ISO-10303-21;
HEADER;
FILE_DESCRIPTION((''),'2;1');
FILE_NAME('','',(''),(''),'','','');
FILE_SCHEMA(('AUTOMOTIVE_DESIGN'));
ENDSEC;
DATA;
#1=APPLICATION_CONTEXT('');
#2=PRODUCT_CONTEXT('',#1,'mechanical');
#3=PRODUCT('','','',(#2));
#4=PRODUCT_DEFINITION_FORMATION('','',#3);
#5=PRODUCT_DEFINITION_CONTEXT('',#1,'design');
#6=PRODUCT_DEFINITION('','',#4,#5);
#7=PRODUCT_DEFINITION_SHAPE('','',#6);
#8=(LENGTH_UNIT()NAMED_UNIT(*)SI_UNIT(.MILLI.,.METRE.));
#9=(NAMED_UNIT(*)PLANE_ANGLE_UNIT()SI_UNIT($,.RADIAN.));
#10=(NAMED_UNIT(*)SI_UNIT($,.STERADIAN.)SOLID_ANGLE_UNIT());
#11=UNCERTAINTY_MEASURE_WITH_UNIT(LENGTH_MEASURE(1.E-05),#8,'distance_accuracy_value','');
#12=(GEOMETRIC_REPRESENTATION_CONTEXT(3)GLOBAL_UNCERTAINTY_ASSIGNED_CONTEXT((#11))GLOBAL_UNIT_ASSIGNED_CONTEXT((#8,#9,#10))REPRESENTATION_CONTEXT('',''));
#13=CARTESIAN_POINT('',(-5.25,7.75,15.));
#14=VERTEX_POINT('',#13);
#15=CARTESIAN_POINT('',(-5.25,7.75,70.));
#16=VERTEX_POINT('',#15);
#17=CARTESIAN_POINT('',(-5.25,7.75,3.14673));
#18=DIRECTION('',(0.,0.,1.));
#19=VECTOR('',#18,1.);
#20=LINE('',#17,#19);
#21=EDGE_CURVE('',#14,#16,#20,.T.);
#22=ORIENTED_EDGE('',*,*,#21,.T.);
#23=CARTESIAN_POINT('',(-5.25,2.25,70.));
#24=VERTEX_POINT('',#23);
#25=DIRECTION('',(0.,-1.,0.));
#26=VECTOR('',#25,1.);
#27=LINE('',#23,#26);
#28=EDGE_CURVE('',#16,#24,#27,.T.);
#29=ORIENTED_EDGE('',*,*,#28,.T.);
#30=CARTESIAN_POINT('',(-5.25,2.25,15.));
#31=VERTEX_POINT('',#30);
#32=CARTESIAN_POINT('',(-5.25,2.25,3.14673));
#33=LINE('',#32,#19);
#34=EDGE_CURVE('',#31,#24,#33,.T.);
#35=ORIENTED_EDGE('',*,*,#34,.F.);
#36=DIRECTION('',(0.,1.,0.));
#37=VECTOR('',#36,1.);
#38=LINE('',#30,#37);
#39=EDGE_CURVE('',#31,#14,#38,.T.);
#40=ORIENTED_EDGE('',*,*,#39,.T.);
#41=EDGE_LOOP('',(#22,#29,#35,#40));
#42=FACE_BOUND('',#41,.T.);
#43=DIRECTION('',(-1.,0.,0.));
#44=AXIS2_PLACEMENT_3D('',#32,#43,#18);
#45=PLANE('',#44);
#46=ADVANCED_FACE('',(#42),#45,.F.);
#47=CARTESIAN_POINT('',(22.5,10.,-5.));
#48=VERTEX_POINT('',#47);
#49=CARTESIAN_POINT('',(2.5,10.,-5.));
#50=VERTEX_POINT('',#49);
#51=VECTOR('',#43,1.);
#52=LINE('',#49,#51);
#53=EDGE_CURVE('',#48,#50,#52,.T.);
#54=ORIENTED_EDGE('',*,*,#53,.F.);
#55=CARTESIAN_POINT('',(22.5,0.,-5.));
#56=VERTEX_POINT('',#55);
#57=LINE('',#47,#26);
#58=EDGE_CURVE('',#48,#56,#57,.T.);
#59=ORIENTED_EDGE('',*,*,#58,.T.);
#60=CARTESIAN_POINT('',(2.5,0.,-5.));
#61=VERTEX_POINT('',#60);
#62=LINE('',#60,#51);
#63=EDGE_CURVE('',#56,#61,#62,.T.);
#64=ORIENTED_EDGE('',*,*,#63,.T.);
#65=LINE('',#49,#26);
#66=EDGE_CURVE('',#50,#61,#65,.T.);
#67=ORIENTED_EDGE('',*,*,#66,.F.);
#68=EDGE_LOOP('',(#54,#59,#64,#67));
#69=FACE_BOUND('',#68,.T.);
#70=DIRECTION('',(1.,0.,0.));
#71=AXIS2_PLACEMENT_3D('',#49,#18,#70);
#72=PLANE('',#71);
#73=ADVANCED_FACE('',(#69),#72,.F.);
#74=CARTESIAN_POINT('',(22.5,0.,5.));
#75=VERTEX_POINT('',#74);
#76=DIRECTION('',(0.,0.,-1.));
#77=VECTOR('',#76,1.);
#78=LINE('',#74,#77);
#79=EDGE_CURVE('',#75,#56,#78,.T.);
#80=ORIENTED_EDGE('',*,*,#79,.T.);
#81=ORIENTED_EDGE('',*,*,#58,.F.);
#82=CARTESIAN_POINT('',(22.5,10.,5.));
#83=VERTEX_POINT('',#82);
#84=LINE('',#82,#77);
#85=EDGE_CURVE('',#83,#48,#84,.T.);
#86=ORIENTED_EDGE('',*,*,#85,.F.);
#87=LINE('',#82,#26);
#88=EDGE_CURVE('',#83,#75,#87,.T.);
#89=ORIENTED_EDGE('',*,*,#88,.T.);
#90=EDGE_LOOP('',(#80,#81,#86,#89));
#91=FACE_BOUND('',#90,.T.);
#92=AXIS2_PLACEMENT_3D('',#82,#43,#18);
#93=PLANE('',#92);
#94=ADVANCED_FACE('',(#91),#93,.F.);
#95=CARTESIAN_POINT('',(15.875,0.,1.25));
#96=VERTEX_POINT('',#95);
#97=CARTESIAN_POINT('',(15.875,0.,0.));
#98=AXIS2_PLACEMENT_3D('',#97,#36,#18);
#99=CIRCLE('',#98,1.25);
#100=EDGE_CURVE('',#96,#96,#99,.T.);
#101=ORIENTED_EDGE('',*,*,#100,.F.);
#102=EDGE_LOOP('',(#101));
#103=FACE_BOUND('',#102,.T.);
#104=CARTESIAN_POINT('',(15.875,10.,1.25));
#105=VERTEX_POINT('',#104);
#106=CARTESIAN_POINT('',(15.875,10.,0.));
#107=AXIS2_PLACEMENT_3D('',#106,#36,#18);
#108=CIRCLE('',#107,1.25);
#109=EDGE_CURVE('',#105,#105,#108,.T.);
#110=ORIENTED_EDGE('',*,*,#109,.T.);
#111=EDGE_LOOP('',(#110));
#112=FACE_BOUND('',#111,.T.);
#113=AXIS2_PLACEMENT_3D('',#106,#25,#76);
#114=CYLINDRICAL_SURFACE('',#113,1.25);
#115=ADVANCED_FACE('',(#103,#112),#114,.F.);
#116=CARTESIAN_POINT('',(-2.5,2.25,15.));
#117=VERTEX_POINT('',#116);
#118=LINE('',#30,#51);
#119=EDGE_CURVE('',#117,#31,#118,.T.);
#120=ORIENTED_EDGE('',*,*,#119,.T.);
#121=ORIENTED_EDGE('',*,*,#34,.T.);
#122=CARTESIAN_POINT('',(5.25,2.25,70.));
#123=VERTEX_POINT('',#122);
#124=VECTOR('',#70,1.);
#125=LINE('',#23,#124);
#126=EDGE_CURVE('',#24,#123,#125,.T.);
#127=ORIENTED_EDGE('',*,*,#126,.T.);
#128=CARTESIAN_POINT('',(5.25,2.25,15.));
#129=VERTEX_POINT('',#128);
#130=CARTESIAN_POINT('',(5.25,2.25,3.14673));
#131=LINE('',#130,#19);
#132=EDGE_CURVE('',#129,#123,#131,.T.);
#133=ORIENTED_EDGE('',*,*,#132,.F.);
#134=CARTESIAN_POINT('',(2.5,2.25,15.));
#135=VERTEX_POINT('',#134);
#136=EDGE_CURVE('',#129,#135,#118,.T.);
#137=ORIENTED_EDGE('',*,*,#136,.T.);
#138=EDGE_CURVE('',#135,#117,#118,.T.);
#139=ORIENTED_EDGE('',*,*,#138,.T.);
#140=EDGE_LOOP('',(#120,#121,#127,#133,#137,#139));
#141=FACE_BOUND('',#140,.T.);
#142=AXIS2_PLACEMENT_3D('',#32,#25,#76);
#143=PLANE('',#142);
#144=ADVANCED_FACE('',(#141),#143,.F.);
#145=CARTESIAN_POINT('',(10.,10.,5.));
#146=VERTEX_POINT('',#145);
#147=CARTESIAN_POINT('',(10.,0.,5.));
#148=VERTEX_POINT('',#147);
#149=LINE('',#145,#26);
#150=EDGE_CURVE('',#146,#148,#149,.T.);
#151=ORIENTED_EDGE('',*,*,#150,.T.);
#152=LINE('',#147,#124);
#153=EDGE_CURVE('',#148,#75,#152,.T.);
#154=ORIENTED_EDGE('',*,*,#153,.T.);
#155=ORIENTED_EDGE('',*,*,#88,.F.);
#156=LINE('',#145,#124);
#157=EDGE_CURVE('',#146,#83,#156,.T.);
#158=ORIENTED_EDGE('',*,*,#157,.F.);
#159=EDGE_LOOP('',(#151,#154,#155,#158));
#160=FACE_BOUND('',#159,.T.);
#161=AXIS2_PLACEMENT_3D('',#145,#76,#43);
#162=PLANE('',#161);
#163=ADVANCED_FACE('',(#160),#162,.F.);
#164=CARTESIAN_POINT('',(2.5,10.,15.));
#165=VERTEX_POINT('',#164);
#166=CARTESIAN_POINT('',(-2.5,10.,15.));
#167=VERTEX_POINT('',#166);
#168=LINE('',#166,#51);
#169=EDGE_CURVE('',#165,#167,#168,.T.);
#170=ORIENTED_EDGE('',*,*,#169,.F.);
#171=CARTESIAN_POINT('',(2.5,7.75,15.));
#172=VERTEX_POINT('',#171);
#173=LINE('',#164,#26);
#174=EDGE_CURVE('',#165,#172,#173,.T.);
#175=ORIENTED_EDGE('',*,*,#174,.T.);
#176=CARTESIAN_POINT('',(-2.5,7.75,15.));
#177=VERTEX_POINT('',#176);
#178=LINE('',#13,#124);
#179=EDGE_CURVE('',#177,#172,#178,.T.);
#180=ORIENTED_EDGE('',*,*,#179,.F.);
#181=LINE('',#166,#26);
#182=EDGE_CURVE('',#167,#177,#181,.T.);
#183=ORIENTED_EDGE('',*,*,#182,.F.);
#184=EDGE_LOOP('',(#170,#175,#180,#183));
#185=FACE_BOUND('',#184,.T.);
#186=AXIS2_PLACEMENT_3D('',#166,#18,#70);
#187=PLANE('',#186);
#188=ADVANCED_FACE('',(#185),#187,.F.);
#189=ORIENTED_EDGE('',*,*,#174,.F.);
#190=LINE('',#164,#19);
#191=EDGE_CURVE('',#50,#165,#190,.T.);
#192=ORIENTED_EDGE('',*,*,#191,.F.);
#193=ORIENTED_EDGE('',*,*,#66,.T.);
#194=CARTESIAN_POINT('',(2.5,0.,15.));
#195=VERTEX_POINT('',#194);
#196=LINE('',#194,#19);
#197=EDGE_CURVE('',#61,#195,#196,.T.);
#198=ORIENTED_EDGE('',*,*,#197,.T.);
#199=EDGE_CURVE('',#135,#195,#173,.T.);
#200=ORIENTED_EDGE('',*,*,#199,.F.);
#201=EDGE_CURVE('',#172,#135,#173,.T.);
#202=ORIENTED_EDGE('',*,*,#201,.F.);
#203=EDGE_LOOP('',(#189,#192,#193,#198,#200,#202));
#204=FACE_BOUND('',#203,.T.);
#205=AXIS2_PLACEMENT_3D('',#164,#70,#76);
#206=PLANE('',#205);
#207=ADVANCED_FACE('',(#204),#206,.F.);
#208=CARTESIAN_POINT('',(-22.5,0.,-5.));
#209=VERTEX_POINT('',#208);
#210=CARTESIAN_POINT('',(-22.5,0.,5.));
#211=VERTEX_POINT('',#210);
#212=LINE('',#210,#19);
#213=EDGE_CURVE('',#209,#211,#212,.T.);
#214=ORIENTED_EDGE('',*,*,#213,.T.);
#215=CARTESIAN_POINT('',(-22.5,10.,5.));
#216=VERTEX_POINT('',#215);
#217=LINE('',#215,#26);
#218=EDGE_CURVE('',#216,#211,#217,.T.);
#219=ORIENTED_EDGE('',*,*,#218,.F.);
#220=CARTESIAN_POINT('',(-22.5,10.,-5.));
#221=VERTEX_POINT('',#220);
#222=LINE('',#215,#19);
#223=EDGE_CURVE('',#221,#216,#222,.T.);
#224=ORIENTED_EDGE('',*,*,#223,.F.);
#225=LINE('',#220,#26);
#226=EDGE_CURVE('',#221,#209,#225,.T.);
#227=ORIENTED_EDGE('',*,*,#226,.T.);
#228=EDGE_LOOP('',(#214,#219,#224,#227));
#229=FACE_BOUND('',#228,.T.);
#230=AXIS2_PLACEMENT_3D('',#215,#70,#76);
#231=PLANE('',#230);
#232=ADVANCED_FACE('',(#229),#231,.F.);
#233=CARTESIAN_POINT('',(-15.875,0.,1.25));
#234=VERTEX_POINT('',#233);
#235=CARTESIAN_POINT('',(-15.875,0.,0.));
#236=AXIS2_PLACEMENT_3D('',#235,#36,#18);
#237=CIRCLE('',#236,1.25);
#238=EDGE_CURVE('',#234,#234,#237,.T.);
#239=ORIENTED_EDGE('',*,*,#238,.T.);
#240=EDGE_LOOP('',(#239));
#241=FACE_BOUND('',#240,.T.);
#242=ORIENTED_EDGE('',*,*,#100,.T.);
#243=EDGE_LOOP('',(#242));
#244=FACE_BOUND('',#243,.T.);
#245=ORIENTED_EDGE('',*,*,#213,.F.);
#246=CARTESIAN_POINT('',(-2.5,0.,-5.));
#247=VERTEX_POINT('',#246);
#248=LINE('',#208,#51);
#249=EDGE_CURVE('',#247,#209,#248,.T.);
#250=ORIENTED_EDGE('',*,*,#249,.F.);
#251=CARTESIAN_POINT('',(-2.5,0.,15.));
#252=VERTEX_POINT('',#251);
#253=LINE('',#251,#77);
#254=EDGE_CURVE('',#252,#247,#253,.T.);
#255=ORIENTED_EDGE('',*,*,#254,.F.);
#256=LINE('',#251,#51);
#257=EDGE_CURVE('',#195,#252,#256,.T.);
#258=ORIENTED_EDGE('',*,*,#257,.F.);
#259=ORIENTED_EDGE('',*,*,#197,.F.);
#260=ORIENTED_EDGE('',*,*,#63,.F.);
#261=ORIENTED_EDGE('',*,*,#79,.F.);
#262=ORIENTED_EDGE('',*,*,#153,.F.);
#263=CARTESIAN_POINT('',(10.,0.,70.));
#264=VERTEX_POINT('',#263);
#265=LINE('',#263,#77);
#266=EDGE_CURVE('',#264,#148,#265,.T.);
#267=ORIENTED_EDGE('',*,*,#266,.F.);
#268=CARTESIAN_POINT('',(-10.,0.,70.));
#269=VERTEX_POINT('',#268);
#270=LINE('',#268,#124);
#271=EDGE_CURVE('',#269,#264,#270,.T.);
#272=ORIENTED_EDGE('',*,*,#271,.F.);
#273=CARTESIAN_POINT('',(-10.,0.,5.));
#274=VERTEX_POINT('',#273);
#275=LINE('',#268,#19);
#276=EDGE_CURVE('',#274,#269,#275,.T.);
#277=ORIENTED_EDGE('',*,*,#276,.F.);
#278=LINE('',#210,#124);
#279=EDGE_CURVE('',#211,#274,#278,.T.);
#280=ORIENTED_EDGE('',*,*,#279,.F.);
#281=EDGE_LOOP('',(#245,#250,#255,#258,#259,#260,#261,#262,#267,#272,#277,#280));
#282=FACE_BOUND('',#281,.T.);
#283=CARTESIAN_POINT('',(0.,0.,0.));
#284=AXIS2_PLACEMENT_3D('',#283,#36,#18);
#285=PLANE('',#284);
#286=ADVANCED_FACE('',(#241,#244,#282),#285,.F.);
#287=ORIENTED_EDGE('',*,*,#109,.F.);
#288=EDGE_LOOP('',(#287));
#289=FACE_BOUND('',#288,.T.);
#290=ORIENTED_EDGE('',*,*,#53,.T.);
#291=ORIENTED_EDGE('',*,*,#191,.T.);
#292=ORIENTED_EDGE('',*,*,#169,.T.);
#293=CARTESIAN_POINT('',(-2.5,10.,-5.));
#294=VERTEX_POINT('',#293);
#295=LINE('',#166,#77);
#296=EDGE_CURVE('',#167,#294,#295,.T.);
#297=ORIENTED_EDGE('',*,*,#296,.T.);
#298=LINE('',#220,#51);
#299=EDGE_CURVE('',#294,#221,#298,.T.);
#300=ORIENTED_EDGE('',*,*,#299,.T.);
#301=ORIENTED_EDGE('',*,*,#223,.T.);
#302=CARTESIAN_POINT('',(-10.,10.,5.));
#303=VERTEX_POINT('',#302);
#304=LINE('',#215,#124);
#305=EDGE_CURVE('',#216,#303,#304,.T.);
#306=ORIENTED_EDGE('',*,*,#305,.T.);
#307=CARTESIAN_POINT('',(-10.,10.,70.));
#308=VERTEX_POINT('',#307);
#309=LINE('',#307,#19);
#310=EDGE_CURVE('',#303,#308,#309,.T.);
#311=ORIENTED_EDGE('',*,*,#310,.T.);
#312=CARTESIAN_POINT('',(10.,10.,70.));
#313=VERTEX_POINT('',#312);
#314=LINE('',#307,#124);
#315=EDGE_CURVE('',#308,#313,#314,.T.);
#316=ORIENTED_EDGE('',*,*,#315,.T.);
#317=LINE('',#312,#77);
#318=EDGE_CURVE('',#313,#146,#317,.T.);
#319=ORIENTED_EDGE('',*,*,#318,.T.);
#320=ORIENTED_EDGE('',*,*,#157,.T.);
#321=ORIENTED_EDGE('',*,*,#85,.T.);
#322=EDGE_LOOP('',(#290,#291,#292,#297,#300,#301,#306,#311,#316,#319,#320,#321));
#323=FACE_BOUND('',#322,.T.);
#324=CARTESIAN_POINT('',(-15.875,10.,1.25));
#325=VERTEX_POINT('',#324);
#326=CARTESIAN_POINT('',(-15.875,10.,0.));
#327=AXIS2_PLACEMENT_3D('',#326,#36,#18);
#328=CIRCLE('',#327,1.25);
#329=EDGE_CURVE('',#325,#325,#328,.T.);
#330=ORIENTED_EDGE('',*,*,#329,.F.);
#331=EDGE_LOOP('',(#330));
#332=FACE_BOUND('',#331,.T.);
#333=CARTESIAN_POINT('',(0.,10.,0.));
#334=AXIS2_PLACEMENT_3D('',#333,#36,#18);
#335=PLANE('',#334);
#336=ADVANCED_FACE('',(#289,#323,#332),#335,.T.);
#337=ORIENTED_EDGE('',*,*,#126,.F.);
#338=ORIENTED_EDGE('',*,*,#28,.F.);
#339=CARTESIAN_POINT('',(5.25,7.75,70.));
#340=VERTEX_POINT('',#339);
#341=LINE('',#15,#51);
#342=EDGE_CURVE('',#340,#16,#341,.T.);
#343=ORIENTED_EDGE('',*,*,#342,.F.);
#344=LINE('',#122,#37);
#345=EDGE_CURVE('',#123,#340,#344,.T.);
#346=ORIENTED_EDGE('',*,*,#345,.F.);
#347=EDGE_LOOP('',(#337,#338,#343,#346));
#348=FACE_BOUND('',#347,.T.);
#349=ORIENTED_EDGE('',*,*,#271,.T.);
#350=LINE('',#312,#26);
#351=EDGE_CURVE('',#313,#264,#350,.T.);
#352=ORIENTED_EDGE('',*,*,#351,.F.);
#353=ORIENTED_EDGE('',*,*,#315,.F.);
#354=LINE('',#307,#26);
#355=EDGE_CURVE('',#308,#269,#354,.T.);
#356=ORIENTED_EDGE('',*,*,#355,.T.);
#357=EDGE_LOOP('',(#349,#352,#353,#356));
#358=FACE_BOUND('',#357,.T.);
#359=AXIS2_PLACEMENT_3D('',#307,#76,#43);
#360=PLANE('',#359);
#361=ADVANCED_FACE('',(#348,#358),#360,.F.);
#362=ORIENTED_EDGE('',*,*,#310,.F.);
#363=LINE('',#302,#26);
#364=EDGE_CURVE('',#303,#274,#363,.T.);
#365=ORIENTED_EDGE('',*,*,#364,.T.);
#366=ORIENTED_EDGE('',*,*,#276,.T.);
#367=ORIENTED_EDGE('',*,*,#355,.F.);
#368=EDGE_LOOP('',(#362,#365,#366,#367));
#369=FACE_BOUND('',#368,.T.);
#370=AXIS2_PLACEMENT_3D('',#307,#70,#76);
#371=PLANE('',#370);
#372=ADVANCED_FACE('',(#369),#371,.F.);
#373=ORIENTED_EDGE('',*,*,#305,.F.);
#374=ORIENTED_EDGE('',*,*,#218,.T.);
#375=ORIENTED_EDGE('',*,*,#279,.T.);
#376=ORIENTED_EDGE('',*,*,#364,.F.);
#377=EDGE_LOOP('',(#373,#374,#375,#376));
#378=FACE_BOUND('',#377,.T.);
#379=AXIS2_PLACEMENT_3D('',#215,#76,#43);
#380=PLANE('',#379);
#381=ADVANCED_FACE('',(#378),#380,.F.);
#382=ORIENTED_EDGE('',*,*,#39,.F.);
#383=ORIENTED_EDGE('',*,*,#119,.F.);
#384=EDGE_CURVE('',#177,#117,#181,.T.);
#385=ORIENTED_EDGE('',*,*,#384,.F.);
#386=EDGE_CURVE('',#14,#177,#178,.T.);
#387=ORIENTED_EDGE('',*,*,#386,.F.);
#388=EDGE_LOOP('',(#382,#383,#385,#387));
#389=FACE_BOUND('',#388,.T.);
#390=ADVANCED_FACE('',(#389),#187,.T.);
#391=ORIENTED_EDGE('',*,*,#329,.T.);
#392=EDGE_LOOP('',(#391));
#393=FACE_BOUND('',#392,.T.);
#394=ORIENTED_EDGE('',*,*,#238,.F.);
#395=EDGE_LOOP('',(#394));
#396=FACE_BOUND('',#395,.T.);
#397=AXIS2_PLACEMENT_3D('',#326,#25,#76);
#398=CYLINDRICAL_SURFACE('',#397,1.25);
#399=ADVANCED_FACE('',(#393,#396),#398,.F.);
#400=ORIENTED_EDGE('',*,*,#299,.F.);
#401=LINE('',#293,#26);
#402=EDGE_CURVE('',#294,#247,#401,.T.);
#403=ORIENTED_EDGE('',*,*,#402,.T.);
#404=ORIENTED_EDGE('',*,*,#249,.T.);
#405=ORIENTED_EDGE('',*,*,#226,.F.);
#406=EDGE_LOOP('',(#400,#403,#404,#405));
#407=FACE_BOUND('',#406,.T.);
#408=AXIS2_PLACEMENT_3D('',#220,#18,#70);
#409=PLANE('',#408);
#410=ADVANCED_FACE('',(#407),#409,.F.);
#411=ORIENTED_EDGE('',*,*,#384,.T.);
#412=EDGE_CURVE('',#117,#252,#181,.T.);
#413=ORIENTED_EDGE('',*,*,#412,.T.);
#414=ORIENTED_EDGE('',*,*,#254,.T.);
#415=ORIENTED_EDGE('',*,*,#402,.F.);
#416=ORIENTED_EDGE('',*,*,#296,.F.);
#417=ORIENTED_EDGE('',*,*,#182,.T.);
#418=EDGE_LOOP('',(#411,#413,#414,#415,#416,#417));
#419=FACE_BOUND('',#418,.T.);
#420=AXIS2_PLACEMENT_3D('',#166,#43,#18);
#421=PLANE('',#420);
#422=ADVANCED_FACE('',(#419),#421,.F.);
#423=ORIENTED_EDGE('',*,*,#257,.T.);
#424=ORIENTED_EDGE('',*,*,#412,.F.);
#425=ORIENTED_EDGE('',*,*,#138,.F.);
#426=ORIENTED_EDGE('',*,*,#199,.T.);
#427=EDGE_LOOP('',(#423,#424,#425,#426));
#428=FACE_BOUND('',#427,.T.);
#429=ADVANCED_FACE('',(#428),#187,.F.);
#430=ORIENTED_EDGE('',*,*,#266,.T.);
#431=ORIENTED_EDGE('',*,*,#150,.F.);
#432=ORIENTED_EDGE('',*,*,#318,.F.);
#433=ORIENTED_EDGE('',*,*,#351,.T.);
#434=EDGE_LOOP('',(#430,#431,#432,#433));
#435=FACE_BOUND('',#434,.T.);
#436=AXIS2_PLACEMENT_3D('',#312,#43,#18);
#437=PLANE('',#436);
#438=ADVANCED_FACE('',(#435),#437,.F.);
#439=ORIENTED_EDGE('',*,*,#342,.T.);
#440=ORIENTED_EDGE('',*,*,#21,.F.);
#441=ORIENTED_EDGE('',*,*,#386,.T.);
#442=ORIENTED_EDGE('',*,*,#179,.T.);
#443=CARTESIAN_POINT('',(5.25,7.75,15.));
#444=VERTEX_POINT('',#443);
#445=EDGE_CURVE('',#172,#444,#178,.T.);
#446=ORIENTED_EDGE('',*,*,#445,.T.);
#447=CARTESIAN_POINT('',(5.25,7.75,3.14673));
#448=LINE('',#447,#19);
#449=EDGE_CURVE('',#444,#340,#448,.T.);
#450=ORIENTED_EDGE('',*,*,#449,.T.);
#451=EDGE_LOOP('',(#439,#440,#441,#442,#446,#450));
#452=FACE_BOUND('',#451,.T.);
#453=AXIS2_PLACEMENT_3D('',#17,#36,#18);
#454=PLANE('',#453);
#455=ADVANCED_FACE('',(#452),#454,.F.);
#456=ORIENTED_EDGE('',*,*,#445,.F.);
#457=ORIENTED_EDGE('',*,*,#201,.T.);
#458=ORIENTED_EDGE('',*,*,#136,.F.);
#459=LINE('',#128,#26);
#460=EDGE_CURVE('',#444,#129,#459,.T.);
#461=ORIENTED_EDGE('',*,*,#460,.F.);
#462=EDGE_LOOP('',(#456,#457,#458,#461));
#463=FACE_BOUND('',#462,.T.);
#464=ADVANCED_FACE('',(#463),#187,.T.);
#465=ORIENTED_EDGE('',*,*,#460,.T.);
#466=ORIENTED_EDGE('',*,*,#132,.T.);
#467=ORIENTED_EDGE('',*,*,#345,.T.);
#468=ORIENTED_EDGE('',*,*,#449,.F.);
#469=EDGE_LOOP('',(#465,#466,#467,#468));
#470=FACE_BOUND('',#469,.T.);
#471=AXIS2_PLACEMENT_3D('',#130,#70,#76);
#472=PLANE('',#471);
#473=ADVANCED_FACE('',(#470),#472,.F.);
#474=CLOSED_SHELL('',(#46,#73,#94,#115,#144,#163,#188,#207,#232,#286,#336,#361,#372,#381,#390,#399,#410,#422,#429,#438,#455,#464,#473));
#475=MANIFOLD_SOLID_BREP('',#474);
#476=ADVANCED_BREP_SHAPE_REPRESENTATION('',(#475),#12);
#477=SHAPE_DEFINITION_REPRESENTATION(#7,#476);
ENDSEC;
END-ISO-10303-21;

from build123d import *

# Parameters (mm, degrees)
SKETCH1_R           = 1.25
BOSS_EXTRUDE1_DEPTH = 10
SKETCH2_W           = 10.5
SKETCH2_H           = 5.5
CUT_EXTRUDE1_DEPTH  = 55


with BuildPart() as part:
    # Sketch1 → Boss-Extrude1 (new body)
    with BuildSketch(Plane(origin=(0, 0, 0), x_dir=(1, 0, 0), z_dir=(0, 1, 0))):
        Polygon((10, -5), (22.5, -5), (22.5, 5), (2.5, 5), (2.5, -15), (-2.5, -15), (-2.5, 5), (-22.5, 5), (-22.5, -5), (-10, -5), (-10, -70), (10, -70), align=None)
        with Locations(Location((-15.875, 0, 0), (0, 0, 270))):
            Circle(SKETCH1_R, mode=Mode.SUBTRACT)
        with Locations(Location((15.875, 0, 0), (0, 0, 270))):
            Circle(SKETCH1_R, mode=Mode.SUBTRACT)
    extrude(amount=BOSS_EXTRUDE1_DEPTH)

    # Sketch2 → Cut-Extrude1 (cut)
    with BuildSketch(Plane.XY.offset(70)):
        with Locations((0, 5)):
            Rectangle(SKETCH2_W, SKETCH2_H)
    extrude(amount=-CUT_EXTRUDE1_DEPTH, mode=Mode.SUBTRACT)


solid = part.part
